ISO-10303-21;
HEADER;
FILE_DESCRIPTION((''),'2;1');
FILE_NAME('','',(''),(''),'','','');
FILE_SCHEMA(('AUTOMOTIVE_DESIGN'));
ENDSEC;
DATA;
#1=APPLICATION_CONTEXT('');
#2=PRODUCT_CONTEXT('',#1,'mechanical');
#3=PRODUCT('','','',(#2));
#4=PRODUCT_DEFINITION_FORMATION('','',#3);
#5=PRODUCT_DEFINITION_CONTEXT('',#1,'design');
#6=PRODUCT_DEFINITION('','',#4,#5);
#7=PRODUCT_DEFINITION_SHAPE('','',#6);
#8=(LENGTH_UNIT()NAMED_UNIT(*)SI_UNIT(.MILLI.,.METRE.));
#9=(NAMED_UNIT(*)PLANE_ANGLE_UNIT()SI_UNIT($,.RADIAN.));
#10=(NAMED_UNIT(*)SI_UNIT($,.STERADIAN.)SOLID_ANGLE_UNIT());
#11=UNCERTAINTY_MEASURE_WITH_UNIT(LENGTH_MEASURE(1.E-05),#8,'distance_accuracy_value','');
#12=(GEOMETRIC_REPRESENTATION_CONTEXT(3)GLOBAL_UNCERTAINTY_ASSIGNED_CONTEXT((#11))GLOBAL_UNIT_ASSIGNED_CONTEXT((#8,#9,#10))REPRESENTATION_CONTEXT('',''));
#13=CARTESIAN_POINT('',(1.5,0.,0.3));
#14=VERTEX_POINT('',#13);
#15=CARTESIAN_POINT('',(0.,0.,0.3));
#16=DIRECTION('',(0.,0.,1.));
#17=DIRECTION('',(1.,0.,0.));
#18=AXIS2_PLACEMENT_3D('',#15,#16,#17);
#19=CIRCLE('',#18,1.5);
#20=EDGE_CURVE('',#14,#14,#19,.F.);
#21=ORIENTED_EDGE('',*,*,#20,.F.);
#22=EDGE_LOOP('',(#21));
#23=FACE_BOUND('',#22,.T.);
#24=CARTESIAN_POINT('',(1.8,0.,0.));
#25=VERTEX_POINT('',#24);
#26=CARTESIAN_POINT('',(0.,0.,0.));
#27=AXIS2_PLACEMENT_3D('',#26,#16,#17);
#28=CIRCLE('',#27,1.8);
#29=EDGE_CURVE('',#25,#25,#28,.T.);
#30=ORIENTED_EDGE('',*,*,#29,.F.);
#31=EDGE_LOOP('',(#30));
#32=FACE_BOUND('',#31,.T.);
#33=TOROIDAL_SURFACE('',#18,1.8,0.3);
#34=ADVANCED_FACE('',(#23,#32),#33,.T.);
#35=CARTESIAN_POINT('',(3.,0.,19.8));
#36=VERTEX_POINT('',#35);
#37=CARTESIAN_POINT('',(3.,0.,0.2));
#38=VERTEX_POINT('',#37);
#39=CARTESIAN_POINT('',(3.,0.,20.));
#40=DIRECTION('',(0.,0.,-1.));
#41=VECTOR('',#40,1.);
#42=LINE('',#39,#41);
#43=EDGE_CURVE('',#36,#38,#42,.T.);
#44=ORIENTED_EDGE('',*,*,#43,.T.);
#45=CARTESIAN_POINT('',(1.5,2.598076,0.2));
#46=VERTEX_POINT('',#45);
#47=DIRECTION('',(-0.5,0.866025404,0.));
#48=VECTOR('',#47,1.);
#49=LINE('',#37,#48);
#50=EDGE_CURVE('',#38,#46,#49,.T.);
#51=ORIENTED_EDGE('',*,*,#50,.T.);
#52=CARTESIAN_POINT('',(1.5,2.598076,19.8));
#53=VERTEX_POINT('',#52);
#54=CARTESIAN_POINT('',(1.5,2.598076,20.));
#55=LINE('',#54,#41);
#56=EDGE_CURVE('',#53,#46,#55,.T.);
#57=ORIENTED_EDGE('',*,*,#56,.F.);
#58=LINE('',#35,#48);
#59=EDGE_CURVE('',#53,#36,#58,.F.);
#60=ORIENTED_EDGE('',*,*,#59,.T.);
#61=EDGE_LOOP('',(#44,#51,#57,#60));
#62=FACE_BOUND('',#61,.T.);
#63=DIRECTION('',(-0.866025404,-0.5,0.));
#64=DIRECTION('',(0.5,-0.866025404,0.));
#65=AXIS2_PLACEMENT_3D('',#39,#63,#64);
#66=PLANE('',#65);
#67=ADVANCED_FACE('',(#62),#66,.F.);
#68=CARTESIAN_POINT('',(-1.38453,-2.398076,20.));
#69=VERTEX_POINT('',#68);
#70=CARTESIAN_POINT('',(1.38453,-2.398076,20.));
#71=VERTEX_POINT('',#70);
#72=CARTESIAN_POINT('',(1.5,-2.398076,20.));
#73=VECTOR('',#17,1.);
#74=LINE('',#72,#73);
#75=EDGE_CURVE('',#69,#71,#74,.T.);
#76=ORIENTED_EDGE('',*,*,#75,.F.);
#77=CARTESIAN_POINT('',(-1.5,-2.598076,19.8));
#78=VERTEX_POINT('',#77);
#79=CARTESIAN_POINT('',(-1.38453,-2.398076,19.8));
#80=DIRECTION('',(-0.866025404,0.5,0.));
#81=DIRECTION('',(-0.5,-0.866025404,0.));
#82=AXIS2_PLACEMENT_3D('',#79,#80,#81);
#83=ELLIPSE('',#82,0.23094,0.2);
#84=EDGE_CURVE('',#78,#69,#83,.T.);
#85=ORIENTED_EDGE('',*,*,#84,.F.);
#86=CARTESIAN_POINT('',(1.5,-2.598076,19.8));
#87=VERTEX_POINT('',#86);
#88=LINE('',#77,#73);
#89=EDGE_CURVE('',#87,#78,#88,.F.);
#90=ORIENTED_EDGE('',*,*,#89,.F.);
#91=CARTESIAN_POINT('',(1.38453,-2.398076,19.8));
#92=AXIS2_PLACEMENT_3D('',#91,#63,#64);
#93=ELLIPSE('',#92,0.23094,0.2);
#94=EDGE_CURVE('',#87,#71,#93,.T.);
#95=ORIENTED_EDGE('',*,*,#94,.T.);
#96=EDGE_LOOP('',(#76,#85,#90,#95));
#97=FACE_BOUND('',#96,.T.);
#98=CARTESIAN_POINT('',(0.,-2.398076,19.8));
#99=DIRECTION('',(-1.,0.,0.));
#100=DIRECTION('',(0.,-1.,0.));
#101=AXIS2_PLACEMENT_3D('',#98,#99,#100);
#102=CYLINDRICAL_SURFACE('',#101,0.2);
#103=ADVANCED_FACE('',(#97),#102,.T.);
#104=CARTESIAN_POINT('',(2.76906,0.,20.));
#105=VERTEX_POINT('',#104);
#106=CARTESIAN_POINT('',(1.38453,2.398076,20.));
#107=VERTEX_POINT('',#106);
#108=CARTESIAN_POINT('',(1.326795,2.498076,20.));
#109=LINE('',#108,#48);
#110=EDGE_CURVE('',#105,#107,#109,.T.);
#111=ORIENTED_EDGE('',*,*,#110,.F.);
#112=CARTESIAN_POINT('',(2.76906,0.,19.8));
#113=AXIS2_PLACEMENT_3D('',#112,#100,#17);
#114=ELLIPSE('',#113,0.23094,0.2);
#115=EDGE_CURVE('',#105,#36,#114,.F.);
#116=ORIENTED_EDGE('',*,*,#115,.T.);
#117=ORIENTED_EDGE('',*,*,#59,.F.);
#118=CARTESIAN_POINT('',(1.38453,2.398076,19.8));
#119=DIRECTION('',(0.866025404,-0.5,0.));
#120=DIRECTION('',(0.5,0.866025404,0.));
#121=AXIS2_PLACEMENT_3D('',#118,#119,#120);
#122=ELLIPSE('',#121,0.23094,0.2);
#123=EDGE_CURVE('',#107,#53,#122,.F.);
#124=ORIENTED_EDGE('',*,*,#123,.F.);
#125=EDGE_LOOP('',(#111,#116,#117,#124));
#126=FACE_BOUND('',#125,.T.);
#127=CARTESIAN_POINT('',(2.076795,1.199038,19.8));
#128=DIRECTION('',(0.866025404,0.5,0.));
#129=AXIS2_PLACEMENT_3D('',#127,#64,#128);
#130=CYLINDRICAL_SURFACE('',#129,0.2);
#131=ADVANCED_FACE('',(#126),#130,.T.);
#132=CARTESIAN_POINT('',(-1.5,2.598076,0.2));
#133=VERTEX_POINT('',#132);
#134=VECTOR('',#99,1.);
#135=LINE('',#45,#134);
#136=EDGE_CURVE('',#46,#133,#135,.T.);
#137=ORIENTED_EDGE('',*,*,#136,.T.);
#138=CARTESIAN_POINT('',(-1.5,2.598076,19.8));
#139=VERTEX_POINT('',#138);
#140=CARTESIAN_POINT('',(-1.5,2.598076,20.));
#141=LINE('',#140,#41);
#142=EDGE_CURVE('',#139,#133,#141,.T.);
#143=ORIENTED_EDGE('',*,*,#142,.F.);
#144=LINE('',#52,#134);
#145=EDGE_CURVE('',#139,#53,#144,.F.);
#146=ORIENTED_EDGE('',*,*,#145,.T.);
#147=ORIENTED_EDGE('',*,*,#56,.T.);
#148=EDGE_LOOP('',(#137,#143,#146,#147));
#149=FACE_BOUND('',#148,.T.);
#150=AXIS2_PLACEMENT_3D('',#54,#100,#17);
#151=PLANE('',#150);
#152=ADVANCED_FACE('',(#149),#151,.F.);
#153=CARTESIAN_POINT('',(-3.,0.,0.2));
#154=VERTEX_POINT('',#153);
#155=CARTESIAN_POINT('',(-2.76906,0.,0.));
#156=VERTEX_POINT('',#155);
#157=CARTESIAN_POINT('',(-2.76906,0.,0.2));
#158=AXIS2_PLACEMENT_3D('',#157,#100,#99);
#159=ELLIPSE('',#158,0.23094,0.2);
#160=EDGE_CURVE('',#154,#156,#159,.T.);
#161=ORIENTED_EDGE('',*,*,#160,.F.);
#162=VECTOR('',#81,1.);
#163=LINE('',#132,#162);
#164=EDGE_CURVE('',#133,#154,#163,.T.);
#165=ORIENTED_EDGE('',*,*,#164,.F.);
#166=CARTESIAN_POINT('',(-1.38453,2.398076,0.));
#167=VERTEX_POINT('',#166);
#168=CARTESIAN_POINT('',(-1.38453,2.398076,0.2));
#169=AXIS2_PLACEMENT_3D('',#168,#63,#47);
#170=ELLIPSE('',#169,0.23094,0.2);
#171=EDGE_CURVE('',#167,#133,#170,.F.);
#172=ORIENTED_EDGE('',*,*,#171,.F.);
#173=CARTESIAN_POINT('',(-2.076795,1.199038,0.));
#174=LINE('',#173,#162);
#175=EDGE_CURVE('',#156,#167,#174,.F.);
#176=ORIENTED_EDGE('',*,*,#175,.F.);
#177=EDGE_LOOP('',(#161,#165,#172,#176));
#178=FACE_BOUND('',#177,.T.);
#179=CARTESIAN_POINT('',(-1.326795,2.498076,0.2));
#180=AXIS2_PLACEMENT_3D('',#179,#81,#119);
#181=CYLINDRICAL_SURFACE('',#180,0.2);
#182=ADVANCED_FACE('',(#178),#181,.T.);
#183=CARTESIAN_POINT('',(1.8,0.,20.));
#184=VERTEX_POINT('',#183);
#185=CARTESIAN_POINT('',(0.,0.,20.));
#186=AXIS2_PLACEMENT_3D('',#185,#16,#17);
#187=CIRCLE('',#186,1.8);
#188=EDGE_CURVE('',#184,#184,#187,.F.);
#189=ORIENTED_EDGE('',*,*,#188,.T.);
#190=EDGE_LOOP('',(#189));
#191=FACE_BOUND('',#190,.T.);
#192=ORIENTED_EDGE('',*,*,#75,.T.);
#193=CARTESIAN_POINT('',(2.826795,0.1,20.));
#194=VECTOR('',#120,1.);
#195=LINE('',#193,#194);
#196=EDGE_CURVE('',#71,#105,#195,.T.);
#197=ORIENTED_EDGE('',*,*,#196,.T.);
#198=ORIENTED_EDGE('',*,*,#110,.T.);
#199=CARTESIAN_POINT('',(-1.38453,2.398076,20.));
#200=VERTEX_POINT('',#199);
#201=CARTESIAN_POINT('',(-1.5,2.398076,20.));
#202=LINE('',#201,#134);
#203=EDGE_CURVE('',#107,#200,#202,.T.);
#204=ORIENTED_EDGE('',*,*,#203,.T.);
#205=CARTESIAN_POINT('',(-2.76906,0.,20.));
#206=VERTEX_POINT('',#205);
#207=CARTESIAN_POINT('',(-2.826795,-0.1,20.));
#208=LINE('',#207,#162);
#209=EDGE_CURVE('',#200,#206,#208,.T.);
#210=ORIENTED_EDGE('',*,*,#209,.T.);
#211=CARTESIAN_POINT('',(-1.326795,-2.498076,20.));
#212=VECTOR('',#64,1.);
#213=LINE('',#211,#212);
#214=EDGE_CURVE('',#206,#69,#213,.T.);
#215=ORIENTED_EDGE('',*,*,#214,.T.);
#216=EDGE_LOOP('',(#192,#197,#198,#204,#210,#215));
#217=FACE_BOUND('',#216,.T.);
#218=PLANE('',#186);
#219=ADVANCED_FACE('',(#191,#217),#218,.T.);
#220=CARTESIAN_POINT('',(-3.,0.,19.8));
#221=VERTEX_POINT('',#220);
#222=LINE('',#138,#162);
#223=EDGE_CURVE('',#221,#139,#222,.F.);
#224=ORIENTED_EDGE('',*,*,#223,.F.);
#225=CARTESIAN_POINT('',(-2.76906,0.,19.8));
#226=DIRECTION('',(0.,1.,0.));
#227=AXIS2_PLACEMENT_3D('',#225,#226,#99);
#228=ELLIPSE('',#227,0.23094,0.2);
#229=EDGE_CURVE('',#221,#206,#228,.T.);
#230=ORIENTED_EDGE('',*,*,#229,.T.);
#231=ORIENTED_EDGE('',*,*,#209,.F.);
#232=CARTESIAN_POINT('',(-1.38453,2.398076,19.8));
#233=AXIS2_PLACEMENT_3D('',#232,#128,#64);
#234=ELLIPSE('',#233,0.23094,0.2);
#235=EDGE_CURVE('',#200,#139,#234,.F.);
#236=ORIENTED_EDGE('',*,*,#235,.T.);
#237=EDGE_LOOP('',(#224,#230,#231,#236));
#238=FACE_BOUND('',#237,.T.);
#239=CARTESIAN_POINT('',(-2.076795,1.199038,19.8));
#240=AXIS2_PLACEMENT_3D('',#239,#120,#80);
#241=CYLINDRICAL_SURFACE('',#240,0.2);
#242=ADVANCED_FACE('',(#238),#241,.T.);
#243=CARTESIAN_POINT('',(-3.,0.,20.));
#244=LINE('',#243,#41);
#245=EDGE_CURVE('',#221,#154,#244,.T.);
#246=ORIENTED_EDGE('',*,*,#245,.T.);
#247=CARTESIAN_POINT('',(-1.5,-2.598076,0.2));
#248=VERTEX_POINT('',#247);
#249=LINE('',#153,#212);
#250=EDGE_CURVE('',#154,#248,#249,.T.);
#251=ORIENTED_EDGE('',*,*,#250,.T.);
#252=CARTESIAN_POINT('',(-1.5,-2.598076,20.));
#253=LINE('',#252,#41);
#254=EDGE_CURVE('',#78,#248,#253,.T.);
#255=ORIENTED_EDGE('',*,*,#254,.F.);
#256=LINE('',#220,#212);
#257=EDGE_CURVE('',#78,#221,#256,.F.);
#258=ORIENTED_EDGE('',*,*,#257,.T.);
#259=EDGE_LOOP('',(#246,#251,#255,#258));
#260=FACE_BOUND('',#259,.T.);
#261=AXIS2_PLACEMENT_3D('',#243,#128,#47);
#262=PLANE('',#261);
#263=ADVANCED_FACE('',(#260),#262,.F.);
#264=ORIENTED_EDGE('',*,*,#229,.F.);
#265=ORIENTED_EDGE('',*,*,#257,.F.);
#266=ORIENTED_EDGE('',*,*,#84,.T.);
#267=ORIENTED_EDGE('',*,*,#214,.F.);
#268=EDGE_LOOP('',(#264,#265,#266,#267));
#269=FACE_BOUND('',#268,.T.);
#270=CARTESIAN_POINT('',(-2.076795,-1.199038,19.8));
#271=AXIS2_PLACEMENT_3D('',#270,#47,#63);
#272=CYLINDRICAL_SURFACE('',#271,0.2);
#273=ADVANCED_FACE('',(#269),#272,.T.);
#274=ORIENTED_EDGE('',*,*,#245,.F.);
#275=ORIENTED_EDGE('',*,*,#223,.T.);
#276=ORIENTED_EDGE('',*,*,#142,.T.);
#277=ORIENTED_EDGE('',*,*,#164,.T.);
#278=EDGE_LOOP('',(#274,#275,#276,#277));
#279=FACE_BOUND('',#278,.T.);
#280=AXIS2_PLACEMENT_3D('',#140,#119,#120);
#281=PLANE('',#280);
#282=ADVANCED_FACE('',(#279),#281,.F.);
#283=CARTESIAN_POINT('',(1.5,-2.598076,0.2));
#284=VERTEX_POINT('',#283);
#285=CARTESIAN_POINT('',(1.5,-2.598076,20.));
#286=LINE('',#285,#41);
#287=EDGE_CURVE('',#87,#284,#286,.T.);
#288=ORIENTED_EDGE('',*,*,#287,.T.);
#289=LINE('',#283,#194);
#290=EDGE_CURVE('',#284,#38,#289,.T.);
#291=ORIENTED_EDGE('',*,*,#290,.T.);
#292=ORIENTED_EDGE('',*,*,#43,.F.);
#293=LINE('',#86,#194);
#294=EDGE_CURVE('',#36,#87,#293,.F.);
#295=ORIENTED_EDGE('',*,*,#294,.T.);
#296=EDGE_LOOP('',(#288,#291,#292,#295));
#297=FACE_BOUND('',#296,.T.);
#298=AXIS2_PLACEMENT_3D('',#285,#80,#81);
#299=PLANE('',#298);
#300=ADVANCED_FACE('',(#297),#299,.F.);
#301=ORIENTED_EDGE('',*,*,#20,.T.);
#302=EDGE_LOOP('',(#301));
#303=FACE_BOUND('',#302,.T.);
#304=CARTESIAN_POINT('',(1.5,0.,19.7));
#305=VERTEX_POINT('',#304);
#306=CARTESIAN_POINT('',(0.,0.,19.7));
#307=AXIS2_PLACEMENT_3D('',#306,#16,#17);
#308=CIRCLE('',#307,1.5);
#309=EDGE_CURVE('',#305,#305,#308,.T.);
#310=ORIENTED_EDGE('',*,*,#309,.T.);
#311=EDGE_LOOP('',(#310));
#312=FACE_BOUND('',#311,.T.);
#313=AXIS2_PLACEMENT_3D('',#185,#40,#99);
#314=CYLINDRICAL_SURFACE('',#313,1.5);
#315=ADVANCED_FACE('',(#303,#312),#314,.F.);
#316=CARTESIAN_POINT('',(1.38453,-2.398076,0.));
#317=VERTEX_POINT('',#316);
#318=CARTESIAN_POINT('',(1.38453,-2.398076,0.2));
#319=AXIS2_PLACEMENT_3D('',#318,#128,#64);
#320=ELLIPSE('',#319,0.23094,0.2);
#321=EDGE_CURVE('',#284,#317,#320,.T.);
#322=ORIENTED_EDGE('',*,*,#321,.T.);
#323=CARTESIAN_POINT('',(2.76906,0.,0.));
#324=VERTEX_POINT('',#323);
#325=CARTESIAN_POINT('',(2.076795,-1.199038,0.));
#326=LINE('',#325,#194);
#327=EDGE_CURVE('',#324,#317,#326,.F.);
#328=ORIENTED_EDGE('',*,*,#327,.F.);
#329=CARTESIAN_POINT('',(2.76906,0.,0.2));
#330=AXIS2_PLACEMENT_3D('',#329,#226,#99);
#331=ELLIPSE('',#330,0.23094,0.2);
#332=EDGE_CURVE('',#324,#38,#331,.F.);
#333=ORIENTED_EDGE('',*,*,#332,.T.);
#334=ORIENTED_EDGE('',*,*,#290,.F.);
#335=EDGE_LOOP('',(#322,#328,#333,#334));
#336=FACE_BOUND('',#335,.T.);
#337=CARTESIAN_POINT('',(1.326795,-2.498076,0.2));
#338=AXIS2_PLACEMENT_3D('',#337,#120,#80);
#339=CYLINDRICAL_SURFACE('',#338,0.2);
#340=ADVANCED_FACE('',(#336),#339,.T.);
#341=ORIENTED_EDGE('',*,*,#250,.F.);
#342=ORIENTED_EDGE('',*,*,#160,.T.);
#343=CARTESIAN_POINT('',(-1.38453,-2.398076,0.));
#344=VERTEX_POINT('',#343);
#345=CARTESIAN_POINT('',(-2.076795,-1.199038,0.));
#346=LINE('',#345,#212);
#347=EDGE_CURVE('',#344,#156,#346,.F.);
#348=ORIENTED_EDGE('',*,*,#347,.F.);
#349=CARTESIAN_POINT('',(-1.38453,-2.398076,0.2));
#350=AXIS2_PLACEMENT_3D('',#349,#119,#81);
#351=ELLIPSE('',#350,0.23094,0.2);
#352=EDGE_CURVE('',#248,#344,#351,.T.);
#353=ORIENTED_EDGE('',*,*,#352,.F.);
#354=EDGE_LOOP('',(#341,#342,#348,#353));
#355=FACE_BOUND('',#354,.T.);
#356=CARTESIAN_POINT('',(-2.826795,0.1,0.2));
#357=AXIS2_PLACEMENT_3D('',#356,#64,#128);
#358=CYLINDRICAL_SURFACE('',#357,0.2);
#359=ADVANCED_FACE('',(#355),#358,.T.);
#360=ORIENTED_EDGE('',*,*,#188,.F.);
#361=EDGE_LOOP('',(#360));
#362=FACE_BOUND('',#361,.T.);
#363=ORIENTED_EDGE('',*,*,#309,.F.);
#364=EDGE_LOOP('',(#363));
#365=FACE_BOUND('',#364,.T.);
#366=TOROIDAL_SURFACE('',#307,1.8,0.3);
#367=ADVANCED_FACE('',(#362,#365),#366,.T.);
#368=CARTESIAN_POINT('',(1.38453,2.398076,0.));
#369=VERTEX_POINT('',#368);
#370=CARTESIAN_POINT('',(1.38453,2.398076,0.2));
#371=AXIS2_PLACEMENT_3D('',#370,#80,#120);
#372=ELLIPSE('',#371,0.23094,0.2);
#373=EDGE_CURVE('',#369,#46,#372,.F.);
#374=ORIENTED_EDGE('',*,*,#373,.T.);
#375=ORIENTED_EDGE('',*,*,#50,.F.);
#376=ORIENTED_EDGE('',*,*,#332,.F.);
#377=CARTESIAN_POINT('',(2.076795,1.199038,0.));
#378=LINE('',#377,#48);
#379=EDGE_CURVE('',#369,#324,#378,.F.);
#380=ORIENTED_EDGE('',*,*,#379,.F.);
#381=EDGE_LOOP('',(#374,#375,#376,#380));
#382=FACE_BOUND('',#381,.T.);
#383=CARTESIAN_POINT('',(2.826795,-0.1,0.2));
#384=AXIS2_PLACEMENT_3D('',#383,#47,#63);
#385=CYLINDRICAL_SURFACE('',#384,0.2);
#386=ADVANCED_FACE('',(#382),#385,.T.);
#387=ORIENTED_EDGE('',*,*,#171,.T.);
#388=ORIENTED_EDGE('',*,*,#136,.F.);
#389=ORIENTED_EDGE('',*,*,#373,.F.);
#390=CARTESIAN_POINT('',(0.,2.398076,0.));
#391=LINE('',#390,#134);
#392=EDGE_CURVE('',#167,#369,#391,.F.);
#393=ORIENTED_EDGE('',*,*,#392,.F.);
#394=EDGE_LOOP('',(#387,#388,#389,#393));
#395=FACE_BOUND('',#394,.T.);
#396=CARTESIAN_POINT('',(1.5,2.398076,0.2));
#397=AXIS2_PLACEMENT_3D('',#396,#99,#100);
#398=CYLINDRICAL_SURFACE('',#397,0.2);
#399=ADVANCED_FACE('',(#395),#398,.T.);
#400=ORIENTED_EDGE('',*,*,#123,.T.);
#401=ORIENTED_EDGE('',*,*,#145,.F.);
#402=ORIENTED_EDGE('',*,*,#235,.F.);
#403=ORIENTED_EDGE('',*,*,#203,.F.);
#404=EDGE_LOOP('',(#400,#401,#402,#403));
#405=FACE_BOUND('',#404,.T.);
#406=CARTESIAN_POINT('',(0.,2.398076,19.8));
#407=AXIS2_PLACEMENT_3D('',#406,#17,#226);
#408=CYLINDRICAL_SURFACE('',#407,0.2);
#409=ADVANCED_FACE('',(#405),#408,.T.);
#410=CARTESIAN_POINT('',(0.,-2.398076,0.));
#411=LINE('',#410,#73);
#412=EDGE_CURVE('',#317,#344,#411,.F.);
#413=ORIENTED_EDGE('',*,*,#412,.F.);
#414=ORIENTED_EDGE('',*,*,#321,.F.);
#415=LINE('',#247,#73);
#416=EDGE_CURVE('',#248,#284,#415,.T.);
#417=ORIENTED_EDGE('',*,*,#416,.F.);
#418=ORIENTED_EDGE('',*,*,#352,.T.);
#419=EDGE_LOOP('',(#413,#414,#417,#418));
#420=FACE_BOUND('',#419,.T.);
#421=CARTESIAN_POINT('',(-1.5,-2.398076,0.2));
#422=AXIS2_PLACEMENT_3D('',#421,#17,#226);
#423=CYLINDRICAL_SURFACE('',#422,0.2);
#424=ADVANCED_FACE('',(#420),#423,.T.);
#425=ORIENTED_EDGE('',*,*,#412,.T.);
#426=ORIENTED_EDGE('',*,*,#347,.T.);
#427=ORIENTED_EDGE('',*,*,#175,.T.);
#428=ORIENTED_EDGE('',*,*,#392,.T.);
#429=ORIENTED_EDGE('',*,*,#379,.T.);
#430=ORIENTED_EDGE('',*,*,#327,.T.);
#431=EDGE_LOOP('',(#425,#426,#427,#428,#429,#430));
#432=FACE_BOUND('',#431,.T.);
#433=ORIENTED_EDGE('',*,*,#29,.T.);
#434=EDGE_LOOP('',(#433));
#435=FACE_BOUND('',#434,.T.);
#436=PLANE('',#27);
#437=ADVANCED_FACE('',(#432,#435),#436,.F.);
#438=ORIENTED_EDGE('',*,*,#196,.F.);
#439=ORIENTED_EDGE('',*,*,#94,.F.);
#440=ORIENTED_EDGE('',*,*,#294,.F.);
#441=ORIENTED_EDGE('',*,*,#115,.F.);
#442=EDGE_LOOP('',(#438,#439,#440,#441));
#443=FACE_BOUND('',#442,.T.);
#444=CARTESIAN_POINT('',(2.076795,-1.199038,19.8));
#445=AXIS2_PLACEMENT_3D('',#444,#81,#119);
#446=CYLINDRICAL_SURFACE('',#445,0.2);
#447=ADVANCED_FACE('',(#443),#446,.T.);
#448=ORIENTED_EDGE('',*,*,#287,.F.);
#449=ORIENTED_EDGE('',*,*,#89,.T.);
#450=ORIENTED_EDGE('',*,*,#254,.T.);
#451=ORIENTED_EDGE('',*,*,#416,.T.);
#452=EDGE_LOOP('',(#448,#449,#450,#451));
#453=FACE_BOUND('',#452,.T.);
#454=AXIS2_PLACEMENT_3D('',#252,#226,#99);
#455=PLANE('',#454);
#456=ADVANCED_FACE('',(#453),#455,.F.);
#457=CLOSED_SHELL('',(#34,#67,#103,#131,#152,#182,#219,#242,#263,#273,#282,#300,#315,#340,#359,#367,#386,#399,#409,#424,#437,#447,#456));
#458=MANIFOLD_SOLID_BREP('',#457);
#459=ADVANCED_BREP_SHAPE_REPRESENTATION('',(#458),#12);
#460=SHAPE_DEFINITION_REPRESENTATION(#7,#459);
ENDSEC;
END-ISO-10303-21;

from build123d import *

# Parameters (mm, degrees)
SKETCH1_R           = 1.5
BOSS_EXTRUDE1_DEPTH = 20
FILLET1_R           = 0.3
FILLET2_R           = 0.2


with BuildPart() as part:
    # Sketch1 → Boss-Extrude1 (new body)
    with BuildSketch(Plane.XY):
        Polygon((3, 0), (1.5, 2.598076211), (-1.5, 2.598076211), (-3, 0), (-1.5, -2.598076211), (1.5, -2.598076211), align=None)
        Circle(SKETCH1_R, mode=Mode.SUBTRACT)
    extrude(amount=BOSS_EXTRUDE1_DEPTH)

    # Fillet1
    fillet1_edges = [part.edges().sort_by_distance(p)[0] for p in [
        (-1.5, 0, 0),
        (-1.5, 0, 20),
    ]]
    fillet(fillet1_edges, radius=FILLET1_R)

    # Fillet2
    fillet2_edges = [part.edges().sort_by_distance(p)[0] for p in [
        (0, 2.598076211, 20),
        (-2.25, 1.299038106, 20),
        (-2.25, -1.299038106, 20),
        (0, -2.598076211, 20),
        (2.25, -1.299038106, 20),
        (0, -2.598076211, 0),
        (-2.25, -1.299038106, 0),
        (-2.25, 1.299038106, 0),
        (2.25, 1.299038106, 20),
        (0, 2.598076211, 0),
        (2.25, 1.299038106, 0),
        (2.25, -1.299038106, 0),
    ]]
    fillet(fillet2_edges, radius=FILLET2_R)


solid = part.part
